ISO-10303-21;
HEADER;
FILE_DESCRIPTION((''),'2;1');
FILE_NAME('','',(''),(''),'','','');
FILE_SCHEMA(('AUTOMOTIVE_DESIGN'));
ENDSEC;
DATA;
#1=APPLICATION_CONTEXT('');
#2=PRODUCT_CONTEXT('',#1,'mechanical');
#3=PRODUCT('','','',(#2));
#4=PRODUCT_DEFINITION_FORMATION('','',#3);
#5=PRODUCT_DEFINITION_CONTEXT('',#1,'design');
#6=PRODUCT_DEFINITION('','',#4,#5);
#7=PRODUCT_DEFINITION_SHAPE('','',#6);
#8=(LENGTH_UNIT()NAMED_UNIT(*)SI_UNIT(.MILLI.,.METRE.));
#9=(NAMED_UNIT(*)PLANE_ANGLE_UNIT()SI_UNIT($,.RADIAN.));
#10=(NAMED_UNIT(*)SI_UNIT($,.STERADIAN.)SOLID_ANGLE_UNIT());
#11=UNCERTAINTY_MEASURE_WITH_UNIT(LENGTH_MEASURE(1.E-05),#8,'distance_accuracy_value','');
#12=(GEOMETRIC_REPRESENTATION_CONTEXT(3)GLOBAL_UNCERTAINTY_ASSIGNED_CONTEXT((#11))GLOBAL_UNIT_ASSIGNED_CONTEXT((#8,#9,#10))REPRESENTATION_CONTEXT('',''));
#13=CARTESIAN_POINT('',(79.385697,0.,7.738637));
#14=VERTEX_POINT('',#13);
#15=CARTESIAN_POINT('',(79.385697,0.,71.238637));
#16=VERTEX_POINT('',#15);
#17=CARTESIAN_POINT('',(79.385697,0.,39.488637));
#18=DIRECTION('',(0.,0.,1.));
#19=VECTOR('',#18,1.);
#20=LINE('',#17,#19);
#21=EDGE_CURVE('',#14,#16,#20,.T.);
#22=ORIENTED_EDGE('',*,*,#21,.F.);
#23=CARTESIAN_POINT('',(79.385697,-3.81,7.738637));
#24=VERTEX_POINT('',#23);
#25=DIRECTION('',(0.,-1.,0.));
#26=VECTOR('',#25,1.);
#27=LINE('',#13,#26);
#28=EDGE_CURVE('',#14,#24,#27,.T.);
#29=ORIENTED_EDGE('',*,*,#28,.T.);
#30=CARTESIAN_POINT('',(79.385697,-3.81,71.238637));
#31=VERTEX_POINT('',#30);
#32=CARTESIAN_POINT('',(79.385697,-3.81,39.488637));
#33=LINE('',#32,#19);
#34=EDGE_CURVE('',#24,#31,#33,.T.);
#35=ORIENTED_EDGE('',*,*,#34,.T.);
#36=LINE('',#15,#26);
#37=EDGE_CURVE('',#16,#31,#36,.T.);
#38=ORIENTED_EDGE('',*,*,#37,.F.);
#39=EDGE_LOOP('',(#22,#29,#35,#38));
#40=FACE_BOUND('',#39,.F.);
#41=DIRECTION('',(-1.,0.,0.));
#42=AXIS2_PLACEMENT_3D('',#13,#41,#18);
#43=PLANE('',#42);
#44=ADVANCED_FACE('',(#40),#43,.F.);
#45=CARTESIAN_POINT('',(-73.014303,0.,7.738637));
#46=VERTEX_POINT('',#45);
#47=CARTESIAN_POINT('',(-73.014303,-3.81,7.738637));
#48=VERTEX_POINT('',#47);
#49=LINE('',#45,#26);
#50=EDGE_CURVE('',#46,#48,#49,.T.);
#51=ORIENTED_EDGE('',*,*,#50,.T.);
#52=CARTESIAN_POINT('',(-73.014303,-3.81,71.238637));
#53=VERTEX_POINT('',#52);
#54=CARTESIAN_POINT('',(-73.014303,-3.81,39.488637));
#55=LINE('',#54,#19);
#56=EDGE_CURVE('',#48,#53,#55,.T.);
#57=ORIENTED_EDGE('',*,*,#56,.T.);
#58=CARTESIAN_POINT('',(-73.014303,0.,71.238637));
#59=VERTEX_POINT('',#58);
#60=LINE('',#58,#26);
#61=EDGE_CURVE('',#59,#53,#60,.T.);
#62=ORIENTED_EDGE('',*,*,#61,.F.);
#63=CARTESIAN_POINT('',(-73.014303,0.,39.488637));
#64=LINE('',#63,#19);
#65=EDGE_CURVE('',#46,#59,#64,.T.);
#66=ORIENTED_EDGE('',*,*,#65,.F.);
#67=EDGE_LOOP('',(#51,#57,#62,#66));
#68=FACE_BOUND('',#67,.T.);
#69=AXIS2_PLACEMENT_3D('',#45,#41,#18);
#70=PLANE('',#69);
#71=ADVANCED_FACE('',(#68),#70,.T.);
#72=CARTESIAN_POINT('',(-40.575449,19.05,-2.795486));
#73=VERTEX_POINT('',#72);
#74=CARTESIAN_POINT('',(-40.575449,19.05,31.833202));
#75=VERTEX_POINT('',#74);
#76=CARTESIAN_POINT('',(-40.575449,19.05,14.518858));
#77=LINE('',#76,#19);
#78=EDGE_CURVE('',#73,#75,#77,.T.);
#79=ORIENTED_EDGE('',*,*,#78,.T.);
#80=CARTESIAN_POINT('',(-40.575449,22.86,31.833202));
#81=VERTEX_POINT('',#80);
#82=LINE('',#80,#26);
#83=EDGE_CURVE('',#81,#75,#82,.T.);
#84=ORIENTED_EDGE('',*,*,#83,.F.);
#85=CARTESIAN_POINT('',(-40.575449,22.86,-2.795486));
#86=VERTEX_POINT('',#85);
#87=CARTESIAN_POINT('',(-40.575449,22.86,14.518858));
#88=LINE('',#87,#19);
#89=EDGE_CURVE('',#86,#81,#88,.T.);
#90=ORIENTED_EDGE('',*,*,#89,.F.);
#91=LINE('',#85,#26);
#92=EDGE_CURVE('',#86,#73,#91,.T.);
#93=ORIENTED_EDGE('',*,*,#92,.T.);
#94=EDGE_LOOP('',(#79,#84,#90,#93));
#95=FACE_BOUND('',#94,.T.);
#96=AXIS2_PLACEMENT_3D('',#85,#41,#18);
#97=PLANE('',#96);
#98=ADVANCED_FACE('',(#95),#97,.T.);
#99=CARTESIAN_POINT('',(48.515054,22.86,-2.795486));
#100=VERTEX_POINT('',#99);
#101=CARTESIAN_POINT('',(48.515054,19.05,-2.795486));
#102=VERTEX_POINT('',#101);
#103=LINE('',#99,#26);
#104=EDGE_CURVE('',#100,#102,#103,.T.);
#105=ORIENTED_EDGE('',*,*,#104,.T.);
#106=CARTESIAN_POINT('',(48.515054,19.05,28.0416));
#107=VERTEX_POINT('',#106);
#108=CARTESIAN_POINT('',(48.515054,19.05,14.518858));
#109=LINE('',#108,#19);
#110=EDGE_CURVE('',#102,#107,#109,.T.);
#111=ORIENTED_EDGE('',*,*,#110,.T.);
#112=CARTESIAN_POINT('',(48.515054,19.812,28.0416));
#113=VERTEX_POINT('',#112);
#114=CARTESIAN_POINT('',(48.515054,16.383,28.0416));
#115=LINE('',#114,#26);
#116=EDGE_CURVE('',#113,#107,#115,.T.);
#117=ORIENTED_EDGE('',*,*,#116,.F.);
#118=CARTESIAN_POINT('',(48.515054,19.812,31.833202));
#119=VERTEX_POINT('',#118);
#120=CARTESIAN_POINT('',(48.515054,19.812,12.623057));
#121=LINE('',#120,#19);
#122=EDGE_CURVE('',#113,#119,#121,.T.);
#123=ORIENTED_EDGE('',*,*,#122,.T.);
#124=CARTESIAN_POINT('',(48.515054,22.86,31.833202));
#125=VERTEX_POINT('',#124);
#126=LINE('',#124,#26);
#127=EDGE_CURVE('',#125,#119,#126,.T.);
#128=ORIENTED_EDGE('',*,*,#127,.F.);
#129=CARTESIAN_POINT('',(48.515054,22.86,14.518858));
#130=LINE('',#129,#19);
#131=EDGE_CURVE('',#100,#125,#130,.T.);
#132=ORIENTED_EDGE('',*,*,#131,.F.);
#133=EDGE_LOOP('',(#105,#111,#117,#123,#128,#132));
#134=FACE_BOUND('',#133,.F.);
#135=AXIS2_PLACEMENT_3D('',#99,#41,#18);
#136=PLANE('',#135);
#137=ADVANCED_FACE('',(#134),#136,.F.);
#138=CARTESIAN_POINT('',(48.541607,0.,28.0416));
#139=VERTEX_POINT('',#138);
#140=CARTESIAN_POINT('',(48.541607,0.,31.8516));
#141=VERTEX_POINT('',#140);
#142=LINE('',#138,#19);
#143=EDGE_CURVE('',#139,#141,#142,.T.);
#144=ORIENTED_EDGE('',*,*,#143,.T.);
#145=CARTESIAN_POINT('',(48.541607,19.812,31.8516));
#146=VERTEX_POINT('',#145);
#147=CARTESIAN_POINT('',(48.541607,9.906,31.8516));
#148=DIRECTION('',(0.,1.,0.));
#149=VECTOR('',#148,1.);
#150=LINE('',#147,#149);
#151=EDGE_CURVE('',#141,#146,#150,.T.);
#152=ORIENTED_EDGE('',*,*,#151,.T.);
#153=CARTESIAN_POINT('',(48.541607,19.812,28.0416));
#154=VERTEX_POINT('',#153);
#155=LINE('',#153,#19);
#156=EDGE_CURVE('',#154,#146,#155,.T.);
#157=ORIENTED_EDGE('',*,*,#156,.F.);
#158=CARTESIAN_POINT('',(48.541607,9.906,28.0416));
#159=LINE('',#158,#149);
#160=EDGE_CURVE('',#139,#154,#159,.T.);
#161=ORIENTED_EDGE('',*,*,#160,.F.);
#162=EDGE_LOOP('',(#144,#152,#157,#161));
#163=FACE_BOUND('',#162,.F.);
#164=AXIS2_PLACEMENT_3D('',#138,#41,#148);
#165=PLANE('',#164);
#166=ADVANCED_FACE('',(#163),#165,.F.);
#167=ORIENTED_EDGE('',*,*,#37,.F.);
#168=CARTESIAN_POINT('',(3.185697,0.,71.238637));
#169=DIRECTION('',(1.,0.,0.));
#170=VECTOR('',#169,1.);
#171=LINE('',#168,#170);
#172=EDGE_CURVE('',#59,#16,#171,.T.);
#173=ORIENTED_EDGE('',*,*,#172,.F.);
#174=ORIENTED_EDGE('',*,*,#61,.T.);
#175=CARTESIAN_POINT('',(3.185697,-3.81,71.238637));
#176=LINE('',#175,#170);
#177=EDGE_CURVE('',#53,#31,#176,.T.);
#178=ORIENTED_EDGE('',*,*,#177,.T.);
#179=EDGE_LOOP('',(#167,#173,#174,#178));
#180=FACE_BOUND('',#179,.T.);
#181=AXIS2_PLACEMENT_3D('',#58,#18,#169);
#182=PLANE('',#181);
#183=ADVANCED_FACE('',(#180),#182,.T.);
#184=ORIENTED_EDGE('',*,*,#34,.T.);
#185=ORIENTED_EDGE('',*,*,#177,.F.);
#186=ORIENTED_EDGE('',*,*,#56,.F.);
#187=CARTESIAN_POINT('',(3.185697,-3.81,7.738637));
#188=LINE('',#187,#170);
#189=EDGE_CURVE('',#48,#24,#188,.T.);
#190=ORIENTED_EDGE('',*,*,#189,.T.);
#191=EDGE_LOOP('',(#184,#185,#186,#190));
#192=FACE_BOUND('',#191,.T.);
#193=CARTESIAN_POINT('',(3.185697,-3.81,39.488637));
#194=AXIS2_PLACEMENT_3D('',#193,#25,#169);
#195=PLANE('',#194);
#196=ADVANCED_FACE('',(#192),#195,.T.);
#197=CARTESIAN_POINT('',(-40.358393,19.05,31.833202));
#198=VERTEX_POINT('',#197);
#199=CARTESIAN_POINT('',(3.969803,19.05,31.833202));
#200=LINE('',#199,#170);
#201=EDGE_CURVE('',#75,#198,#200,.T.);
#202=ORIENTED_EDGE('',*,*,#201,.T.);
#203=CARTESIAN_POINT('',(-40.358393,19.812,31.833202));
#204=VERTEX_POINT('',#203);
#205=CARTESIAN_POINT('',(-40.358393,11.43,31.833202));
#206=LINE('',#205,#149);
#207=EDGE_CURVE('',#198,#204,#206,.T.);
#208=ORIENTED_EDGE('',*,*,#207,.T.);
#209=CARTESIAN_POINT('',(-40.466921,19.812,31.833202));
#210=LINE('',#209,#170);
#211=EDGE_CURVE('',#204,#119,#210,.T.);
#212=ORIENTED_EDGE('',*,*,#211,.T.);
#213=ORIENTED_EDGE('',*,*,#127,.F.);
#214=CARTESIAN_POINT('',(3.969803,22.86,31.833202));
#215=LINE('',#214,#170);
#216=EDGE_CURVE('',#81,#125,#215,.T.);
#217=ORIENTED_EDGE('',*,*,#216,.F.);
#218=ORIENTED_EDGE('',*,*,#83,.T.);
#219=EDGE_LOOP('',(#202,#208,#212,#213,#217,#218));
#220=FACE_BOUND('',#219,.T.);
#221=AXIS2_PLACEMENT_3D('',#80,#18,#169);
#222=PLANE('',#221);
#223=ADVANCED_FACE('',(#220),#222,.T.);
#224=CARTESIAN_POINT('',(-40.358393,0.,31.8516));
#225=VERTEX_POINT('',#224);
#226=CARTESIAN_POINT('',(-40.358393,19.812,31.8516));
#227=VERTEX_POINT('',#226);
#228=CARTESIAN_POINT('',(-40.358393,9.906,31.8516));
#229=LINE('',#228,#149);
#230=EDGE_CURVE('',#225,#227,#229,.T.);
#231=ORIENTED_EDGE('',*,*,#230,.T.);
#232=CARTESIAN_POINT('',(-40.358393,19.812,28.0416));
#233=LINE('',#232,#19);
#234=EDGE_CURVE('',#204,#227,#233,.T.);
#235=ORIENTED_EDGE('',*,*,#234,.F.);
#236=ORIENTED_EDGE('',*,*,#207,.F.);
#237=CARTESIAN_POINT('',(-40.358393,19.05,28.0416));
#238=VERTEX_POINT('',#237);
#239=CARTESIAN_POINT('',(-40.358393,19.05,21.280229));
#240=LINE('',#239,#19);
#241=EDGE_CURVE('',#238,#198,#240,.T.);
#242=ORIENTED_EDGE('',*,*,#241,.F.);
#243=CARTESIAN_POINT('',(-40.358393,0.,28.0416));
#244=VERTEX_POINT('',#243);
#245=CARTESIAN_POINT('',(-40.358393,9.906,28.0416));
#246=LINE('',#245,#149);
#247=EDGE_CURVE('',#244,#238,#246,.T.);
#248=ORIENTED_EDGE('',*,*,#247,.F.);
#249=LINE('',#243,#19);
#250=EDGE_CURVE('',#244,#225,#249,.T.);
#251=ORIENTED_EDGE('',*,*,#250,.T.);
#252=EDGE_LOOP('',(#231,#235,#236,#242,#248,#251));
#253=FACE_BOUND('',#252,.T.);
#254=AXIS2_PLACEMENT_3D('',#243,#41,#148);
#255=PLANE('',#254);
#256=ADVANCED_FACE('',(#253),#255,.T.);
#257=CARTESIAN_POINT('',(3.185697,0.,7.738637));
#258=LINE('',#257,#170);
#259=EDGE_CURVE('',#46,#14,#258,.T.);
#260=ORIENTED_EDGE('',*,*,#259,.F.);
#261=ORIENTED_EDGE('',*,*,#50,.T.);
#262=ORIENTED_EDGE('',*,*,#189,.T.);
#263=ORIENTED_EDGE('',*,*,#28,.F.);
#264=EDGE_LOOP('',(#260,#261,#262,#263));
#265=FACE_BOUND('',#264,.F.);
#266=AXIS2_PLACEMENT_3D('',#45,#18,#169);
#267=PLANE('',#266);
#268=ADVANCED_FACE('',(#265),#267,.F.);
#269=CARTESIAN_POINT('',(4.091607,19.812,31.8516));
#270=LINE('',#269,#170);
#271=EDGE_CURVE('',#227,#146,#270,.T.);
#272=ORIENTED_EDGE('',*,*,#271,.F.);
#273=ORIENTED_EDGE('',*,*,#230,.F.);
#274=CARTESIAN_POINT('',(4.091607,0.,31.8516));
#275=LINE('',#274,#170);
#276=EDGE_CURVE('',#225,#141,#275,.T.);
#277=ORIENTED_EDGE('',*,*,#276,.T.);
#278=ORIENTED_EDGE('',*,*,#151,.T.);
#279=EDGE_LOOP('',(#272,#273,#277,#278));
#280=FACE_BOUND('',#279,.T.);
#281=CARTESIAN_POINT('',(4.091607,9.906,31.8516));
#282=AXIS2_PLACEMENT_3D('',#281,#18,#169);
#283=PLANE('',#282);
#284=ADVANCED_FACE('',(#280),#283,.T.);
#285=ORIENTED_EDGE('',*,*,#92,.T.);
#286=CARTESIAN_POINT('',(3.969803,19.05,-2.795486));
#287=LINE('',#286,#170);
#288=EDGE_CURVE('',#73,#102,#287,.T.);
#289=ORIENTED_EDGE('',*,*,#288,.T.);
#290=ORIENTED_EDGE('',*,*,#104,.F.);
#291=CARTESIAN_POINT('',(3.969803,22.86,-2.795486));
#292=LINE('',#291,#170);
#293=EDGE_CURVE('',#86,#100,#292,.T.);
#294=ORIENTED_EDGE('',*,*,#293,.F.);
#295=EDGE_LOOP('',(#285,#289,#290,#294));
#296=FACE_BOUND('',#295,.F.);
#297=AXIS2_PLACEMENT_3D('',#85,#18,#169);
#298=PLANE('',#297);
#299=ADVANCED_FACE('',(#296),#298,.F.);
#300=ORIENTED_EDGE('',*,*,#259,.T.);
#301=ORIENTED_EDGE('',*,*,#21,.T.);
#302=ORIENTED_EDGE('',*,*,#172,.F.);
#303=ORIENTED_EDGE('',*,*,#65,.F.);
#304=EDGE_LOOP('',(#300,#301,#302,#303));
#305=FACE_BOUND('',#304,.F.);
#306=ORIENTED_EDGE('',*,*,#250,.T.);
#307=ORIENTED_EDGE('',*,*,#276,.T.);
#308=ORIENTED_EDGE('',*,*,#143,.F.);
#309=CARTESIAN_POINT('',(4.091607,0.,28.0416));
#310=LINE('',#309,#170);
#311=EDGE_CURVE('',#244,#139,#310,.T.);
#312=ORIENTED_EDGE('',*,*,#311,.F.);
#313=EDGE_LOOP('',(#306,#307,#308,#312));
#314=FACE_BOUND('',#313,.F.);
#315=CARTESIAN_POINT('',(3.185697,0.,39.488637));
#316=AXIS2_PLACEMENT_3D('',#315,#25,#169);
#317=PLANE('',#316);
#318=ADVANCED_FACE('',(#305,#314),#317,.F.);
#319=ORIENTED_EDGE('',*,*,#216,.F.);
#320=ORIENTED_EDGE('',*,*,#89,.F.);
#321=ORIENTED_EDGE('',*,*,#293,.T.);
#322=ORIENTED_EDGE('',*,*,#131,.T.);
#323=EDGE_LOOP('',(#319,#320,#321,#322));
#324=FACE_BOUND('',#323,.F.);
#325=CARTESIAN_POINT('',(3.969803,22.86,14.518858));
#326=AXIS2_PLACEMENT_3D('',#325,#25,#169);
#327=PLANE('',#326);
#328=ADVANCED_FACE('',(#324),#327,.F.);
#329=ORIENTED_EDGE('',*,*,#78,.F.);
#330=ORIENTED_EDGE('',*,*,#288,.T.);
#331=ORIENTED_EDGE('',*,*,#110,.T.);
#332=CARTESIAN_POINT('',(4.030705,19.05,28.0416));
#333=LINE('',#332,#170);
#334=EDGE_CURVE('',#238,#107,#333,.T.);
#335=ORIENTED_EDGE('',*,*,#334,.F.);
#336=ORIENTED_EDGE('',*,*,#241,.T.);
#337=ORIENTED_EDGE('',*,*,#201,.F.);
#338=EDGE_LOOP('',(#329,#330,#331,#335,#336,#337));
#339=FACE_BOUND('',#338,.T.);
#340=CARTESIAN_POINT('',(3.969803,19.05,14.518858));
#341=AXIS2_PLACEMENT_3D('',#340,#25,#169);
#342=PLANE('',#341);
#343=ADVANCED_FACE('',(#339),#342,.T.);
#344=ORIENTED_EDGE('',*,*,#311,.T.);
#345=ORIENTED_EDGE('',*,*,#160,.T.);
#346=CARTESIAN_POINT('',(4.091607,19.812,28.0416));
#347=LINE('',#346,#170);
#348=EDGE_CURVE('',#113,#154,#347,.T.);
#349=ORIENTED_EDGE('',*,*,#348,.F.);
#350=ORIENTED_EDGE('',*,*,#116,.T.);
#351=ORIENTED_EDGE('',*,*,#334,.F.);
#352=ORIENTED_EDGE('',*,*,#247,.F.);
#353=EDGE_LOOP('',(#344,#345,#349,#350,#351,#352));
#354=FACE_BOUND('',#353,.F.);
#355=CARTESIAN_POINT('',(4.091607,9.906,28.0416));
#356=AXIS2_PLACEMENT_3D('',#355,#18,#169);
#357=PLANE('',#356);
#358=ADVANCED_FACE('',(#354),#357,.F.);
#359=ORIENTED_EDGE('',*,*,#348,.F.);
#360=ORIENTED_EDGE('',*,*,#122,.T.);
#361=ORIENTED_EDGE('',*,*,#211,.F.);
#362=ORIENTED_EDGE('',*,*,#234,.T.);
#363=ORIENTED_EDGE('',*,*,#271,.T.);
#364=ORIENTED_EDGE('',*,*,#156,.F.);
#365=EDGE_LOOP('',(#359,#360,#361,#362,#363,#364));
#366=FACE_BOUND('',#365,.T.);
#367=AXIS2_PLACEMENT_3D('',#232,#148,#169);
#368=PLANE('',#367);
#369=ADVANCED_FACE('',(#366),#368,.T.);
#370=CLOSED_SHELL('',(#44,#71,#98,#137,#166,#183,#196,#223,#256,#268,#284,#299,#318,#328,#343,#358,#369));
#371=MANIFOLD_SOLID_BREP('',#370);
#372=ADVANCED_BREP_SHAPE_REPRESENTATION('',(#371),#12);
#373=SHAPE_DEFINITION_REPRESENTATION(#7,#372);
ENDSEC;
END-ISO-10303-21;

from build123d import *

# Parameters (mm, degrees)
F0_W     = 152.4
F0_H     = 63.5
F1_DEPTH = 3.81
F3_W     = 88.9
F3_H     = 19.812
F4_DEPTH = 3.81
F6_W     = 89.090503
F6_H     = 34.628688
F7_DEPTH = 3.81


with BuildPart() as f1:
    # F0 (on Front) → F1 (new body)
    with BuildSketch(Plane.XZ):
        with Locations((3.185697, 39.488637)):
            Rectangle(F0_W, F0_H)
    extrude(amount=F1_DEPTH)

    # F3 (on offset) → F4 (join)
    with BuildSketch(Plane.XY.offset(28.0416)):
        with Locations((4.091607, 9.906)):
            Rectangle(F3_W, F3_H)
    extrude(amount=F4_DEPTH)

    # F6 (on offset) → F7 (join)
    with BuildSketch(Plane.XZ.offset(-22.86)):
        with Locations((3.969803, 14.518858)):
            Rectangle(F6_W, F6_H)
    extrude(amount=F7_DEPTH)


solid = f1.part
